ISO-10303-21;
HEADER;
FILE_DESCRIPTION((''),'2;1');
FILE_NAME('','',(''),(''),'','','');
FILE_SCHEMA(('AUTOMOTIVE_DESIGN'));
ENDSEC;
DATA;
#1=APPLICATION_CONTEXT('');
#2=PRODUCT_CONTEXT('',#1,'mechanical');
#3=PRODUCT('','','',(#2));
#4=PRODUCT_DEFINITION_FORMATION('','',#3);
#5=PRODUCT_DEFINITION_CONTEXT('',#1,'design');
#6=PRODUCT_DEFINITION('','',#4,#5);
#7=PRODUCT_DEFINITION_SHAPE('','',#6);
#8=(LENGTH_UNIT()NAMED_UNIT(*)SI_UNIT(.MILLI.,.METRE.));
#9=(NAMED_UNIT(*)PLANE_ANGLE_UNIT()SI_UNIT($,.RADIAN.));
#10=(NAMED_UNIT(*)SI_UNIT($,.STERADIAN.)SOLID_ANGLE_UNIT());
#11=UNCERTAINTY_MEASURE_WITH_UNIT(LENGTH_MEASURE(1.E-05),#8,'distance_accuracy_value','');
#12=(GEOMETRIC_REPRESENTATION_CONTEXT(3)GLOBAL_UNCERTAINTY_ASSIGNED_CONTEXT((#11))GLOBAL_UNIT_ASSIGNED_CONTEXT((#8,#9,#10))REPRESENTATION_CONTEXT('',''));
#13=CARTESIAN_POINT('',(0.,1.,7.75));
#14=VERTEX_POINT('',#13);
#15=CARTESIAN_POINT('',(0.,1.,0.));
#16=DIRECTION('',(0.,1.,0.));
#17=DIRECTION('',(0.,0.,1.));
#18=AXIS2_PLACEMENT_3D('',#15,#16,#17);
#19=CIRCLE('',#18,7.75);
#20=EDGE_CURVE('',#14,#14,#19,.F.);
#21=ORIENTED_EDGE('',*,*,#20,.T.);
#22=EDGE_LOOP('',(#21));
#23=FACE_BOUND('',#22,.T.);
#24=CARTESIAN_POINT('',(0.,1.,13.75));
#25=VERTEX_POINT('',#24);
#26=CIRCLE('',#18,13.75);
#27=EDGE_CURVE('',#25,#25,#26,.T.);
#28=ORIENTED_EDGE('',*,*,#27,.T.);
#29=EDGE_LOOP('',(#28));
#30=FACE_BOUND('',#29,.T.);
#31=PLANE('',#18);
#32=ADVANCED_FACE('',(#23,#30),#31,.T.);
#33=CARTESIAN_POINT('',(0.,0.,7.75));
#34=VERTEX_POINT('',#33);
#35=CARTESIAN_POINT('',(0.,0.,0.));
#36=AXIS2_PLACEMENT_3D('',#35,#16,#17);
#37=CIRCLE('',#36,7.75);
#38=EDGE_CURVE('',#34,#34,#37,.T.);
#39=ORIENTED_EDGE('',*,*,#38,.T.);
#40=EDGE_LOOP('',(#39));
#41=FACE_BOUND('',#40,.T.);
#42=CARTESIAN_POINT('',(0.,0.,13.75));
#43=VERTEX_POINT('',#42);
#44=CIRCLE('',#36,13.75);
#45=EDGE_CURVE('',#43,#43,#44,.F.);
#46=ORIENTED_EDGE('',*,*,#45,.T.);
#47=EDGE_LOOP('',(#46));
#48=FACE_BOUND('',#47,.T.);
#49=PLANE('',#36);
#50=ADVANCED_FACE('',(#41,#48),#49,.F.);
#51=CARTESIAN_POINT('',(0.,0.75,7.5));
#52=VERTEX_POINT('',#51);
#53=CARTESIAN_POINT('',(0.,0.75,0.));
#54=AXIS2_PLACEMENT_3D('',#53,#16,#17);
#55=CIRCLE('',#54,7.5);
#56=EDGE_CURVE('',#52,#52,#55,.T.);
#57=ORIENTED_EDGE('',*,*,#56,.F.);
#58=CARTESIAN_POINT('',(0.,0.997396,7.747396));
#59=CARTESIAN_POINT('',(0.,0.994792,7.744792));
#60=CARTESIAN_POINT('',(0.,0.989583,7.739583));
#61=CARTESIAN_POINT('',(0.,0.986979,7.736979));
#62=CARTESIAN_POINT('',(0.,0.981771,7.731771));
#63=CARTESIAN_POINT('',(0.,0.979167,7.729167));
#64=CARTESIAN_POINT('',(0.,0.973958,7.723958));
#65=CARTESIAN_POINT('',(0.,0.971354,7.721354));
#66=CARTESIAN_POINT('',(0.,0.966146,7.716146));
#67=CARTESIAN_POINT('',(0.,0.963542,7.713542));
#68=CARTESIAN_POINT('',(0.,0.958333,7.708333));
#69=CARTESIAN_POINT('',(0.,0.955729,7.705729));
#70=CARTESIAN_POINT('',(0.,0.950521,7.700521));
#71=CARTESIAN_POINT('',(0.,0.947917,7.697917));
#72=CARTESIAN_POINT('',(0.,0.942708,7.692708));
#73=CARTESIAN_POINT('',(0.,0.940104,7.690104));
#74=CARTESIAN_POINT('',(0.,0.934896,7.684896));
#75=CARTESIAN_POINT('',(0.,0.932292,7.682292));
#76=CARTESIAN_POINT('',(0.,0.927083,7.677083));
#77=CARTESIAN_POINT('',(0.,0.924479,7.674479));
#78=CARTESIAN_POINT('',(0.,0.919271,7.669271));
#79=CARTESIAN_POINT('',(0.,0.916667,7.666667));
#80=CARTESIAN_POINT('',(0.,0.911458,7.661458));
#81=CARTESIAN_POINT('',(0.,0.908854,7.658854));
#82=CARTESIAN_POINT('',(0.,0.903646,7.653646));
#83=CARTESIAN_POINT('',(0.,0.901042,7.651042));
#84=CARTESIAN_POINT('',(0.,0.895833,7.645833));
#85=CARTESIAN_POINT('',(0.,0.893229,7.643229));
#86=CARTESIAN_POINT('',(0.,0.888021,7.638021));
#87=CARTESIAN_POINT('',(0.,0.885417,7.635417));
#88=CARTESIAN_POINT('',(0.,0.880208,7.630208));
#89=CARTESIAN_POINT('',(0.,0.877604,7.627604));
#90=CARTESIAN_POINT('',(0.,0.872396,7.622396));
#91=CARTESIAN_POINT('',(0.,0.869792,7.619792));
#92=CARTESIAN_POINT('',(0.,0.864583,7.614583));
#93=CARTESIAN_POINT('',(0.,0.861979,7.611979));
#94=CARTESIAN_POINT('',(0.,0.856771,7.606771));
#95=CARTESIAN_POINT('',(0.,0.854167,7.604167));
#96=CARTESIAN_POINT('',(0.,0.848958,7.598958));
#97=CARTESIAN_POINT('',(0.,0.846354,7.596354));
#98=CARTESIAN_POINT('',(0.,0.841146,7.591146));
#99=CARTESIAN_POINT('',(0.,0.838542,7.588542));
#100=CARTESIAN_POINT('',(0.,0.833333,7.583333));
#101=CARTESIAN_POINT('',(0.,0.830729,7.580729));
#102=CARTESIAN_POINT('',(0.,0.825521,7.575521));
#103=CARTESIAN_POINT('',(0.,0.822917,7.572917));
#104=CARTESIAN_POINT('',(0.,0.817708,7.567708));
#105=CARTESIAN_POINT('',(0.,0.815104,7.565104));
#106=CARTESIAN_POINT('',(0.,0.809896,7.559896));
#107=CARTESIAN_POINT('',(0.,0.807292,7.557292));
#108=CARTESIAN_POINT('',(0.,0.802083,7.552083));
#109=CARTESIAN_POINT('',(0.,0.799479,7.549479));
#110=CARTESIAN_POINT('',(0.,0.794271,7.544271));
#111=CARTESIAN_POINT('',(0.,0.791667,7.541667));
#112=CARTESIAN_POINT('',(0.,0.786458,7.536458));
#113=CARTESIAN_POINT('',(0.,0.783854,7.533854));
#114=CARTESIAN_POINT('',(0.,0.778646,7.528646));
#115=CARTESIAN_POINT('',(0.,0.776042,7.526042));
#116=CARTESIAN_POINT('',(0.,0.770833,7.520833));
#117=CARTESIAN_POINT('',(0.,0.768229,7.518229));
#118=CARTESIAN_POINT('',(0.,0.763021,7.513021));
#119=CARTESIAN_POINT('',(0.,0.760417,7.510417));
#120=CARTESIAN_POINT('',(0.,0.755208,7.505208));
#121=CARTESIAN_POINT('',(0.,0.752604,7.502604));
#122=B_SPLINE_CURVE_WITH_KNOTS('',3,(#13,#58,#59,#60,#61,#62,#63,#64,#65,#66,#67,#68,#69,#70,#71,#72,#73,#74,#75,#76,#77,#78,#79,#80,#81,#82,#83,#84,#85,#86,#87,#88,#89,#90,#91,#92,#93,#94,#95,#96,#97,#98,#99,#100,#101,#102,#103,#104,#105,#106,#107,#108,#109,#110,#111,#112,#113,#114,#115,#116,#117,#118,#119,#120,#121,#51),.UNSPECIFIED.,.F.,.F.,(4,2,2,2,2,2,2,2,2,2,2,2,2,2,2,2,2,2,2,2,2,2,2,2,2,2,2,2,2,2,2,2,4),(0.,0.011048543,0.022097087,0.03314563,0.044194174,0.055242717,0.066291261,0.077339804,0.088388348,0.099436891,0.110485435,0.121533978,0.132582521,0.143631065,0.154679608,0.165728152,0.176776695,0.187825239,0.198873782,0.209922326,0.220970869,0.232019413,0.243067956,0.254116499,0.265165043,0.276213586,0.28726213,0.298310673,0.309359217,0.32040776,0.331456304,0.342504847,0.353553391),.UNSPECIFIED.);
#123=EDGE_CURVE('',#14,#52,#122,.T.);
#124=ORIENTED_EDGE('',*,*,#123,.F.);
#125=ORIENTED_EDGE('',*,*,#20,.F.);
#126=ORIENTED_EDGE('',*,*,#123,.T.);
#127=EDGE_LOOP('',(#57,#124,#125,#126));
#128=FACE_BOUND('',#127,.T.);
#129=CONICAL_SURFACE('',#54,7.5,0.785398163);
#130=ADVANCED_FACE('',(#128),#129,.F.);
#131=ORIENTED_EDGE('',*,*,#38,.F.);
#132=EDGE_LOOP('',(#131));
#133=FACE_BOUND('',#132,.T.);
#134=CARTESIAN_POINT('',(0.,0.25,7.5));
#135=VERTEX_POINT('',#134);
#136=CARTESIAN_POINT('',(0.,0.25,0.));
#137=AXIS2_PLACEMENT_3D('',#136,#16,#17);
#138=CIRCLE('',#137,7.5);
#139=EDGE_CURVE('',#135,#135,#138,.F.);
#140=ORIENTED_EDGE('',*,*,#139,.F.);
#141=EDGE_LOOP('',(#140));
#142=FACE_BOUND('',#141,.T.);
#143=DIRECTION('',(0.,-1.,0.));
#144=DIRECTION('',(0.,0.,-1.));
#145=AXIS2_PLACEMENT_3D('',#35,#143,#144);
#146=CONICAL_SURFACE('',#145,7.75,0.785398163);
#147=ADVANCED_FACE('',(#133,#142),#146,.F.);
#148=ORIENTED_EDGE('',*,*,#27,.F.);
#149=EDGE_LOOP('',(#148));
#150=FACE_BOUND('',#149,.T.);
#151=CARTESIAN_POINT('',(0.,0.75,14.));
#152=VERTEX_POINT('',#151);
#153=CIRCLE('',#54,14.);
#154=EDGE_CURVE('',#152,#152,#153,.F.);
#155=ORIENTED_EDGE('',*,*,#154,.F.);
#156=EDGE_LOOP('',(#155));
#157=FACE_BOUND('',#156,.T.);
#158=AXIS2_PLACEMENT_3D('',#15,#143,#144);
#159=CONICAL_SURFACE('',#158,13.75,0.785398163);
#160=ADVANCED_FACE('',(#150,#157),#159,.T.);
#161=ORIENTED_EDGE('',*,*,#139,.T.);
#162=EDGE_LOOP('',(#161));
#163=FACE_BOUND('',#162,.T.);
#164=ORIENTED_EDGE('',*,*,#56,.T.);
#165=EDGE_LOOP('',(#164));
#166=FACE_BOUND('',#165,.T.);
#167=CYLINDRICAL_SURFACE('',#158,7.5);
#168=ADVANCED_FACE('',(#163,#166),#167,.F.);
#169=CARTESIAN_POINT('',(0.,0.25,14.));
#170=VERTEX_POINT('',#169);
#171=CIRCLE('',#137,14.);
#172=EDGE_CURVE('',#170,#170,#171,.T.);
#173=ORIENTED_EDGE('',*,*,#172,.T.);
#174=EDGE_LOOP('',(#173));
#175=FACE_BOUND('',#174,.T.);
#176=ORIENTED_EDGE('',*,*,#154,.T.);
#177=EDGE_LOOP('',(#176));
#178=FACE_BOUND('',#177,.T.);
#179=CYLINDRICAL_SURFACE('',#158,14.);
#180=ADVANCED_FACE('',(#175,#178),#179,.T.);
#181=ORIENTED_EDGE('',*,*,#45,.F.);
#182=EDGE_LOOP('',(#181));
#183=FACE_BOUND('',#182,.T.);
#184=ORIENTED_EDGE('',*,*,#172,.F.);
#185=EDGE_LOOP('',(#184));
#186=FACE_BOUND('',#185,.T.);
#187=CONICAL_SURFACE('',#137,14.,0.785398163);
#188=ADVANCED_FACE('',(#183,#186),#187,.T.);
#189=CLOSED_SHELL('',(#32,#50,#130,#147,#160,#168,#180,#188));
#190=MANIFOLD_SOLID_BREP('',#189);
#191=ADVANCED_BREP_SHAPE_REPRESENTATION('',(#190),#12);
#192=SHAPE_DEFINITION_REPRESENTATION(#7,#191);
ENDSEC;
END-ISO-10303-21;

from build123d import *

# Parameters (mm, degrees)
SKETCH1_R           = 14
SKETCH1_R_2         = 7.5
BOSS_EXTRUDE1_DEPTH = 1
CHAMFER1_SIZE       = 0.25


with BuildPart() as part:
    # Sketch1 → Boss-Extrude1 (new body)
    with BuildSketch(Plane(origin=(0, 0, 0), x_dir=(1, 0, 0), z_dir=(0, 1, 0))):
        with Locations(Location((0, 0, 0), (0, 0, 270))):
            Circle(SKETCH1_R)
        with Locations(Location((0, 0, 0), (0, 0, 270))):
            Circle(SKETCH1_R_2, mode=Mode.SUBTRACT)
    extrude(amount=BOSS_EXTRUDE1_DEPTH)

    # Chamfer1
    chamfer1_edges = [part.edges().sort_by_distance(p)[0] for p in [
        (0, 0, -14),
        (0, 1, -14),
        (0, 0, -7.5),
        (0, 1, -7.5),
    ]]
    chamfer(chamfer1_edges, length=CHAMFER1_SIZE)


solid = part.part
